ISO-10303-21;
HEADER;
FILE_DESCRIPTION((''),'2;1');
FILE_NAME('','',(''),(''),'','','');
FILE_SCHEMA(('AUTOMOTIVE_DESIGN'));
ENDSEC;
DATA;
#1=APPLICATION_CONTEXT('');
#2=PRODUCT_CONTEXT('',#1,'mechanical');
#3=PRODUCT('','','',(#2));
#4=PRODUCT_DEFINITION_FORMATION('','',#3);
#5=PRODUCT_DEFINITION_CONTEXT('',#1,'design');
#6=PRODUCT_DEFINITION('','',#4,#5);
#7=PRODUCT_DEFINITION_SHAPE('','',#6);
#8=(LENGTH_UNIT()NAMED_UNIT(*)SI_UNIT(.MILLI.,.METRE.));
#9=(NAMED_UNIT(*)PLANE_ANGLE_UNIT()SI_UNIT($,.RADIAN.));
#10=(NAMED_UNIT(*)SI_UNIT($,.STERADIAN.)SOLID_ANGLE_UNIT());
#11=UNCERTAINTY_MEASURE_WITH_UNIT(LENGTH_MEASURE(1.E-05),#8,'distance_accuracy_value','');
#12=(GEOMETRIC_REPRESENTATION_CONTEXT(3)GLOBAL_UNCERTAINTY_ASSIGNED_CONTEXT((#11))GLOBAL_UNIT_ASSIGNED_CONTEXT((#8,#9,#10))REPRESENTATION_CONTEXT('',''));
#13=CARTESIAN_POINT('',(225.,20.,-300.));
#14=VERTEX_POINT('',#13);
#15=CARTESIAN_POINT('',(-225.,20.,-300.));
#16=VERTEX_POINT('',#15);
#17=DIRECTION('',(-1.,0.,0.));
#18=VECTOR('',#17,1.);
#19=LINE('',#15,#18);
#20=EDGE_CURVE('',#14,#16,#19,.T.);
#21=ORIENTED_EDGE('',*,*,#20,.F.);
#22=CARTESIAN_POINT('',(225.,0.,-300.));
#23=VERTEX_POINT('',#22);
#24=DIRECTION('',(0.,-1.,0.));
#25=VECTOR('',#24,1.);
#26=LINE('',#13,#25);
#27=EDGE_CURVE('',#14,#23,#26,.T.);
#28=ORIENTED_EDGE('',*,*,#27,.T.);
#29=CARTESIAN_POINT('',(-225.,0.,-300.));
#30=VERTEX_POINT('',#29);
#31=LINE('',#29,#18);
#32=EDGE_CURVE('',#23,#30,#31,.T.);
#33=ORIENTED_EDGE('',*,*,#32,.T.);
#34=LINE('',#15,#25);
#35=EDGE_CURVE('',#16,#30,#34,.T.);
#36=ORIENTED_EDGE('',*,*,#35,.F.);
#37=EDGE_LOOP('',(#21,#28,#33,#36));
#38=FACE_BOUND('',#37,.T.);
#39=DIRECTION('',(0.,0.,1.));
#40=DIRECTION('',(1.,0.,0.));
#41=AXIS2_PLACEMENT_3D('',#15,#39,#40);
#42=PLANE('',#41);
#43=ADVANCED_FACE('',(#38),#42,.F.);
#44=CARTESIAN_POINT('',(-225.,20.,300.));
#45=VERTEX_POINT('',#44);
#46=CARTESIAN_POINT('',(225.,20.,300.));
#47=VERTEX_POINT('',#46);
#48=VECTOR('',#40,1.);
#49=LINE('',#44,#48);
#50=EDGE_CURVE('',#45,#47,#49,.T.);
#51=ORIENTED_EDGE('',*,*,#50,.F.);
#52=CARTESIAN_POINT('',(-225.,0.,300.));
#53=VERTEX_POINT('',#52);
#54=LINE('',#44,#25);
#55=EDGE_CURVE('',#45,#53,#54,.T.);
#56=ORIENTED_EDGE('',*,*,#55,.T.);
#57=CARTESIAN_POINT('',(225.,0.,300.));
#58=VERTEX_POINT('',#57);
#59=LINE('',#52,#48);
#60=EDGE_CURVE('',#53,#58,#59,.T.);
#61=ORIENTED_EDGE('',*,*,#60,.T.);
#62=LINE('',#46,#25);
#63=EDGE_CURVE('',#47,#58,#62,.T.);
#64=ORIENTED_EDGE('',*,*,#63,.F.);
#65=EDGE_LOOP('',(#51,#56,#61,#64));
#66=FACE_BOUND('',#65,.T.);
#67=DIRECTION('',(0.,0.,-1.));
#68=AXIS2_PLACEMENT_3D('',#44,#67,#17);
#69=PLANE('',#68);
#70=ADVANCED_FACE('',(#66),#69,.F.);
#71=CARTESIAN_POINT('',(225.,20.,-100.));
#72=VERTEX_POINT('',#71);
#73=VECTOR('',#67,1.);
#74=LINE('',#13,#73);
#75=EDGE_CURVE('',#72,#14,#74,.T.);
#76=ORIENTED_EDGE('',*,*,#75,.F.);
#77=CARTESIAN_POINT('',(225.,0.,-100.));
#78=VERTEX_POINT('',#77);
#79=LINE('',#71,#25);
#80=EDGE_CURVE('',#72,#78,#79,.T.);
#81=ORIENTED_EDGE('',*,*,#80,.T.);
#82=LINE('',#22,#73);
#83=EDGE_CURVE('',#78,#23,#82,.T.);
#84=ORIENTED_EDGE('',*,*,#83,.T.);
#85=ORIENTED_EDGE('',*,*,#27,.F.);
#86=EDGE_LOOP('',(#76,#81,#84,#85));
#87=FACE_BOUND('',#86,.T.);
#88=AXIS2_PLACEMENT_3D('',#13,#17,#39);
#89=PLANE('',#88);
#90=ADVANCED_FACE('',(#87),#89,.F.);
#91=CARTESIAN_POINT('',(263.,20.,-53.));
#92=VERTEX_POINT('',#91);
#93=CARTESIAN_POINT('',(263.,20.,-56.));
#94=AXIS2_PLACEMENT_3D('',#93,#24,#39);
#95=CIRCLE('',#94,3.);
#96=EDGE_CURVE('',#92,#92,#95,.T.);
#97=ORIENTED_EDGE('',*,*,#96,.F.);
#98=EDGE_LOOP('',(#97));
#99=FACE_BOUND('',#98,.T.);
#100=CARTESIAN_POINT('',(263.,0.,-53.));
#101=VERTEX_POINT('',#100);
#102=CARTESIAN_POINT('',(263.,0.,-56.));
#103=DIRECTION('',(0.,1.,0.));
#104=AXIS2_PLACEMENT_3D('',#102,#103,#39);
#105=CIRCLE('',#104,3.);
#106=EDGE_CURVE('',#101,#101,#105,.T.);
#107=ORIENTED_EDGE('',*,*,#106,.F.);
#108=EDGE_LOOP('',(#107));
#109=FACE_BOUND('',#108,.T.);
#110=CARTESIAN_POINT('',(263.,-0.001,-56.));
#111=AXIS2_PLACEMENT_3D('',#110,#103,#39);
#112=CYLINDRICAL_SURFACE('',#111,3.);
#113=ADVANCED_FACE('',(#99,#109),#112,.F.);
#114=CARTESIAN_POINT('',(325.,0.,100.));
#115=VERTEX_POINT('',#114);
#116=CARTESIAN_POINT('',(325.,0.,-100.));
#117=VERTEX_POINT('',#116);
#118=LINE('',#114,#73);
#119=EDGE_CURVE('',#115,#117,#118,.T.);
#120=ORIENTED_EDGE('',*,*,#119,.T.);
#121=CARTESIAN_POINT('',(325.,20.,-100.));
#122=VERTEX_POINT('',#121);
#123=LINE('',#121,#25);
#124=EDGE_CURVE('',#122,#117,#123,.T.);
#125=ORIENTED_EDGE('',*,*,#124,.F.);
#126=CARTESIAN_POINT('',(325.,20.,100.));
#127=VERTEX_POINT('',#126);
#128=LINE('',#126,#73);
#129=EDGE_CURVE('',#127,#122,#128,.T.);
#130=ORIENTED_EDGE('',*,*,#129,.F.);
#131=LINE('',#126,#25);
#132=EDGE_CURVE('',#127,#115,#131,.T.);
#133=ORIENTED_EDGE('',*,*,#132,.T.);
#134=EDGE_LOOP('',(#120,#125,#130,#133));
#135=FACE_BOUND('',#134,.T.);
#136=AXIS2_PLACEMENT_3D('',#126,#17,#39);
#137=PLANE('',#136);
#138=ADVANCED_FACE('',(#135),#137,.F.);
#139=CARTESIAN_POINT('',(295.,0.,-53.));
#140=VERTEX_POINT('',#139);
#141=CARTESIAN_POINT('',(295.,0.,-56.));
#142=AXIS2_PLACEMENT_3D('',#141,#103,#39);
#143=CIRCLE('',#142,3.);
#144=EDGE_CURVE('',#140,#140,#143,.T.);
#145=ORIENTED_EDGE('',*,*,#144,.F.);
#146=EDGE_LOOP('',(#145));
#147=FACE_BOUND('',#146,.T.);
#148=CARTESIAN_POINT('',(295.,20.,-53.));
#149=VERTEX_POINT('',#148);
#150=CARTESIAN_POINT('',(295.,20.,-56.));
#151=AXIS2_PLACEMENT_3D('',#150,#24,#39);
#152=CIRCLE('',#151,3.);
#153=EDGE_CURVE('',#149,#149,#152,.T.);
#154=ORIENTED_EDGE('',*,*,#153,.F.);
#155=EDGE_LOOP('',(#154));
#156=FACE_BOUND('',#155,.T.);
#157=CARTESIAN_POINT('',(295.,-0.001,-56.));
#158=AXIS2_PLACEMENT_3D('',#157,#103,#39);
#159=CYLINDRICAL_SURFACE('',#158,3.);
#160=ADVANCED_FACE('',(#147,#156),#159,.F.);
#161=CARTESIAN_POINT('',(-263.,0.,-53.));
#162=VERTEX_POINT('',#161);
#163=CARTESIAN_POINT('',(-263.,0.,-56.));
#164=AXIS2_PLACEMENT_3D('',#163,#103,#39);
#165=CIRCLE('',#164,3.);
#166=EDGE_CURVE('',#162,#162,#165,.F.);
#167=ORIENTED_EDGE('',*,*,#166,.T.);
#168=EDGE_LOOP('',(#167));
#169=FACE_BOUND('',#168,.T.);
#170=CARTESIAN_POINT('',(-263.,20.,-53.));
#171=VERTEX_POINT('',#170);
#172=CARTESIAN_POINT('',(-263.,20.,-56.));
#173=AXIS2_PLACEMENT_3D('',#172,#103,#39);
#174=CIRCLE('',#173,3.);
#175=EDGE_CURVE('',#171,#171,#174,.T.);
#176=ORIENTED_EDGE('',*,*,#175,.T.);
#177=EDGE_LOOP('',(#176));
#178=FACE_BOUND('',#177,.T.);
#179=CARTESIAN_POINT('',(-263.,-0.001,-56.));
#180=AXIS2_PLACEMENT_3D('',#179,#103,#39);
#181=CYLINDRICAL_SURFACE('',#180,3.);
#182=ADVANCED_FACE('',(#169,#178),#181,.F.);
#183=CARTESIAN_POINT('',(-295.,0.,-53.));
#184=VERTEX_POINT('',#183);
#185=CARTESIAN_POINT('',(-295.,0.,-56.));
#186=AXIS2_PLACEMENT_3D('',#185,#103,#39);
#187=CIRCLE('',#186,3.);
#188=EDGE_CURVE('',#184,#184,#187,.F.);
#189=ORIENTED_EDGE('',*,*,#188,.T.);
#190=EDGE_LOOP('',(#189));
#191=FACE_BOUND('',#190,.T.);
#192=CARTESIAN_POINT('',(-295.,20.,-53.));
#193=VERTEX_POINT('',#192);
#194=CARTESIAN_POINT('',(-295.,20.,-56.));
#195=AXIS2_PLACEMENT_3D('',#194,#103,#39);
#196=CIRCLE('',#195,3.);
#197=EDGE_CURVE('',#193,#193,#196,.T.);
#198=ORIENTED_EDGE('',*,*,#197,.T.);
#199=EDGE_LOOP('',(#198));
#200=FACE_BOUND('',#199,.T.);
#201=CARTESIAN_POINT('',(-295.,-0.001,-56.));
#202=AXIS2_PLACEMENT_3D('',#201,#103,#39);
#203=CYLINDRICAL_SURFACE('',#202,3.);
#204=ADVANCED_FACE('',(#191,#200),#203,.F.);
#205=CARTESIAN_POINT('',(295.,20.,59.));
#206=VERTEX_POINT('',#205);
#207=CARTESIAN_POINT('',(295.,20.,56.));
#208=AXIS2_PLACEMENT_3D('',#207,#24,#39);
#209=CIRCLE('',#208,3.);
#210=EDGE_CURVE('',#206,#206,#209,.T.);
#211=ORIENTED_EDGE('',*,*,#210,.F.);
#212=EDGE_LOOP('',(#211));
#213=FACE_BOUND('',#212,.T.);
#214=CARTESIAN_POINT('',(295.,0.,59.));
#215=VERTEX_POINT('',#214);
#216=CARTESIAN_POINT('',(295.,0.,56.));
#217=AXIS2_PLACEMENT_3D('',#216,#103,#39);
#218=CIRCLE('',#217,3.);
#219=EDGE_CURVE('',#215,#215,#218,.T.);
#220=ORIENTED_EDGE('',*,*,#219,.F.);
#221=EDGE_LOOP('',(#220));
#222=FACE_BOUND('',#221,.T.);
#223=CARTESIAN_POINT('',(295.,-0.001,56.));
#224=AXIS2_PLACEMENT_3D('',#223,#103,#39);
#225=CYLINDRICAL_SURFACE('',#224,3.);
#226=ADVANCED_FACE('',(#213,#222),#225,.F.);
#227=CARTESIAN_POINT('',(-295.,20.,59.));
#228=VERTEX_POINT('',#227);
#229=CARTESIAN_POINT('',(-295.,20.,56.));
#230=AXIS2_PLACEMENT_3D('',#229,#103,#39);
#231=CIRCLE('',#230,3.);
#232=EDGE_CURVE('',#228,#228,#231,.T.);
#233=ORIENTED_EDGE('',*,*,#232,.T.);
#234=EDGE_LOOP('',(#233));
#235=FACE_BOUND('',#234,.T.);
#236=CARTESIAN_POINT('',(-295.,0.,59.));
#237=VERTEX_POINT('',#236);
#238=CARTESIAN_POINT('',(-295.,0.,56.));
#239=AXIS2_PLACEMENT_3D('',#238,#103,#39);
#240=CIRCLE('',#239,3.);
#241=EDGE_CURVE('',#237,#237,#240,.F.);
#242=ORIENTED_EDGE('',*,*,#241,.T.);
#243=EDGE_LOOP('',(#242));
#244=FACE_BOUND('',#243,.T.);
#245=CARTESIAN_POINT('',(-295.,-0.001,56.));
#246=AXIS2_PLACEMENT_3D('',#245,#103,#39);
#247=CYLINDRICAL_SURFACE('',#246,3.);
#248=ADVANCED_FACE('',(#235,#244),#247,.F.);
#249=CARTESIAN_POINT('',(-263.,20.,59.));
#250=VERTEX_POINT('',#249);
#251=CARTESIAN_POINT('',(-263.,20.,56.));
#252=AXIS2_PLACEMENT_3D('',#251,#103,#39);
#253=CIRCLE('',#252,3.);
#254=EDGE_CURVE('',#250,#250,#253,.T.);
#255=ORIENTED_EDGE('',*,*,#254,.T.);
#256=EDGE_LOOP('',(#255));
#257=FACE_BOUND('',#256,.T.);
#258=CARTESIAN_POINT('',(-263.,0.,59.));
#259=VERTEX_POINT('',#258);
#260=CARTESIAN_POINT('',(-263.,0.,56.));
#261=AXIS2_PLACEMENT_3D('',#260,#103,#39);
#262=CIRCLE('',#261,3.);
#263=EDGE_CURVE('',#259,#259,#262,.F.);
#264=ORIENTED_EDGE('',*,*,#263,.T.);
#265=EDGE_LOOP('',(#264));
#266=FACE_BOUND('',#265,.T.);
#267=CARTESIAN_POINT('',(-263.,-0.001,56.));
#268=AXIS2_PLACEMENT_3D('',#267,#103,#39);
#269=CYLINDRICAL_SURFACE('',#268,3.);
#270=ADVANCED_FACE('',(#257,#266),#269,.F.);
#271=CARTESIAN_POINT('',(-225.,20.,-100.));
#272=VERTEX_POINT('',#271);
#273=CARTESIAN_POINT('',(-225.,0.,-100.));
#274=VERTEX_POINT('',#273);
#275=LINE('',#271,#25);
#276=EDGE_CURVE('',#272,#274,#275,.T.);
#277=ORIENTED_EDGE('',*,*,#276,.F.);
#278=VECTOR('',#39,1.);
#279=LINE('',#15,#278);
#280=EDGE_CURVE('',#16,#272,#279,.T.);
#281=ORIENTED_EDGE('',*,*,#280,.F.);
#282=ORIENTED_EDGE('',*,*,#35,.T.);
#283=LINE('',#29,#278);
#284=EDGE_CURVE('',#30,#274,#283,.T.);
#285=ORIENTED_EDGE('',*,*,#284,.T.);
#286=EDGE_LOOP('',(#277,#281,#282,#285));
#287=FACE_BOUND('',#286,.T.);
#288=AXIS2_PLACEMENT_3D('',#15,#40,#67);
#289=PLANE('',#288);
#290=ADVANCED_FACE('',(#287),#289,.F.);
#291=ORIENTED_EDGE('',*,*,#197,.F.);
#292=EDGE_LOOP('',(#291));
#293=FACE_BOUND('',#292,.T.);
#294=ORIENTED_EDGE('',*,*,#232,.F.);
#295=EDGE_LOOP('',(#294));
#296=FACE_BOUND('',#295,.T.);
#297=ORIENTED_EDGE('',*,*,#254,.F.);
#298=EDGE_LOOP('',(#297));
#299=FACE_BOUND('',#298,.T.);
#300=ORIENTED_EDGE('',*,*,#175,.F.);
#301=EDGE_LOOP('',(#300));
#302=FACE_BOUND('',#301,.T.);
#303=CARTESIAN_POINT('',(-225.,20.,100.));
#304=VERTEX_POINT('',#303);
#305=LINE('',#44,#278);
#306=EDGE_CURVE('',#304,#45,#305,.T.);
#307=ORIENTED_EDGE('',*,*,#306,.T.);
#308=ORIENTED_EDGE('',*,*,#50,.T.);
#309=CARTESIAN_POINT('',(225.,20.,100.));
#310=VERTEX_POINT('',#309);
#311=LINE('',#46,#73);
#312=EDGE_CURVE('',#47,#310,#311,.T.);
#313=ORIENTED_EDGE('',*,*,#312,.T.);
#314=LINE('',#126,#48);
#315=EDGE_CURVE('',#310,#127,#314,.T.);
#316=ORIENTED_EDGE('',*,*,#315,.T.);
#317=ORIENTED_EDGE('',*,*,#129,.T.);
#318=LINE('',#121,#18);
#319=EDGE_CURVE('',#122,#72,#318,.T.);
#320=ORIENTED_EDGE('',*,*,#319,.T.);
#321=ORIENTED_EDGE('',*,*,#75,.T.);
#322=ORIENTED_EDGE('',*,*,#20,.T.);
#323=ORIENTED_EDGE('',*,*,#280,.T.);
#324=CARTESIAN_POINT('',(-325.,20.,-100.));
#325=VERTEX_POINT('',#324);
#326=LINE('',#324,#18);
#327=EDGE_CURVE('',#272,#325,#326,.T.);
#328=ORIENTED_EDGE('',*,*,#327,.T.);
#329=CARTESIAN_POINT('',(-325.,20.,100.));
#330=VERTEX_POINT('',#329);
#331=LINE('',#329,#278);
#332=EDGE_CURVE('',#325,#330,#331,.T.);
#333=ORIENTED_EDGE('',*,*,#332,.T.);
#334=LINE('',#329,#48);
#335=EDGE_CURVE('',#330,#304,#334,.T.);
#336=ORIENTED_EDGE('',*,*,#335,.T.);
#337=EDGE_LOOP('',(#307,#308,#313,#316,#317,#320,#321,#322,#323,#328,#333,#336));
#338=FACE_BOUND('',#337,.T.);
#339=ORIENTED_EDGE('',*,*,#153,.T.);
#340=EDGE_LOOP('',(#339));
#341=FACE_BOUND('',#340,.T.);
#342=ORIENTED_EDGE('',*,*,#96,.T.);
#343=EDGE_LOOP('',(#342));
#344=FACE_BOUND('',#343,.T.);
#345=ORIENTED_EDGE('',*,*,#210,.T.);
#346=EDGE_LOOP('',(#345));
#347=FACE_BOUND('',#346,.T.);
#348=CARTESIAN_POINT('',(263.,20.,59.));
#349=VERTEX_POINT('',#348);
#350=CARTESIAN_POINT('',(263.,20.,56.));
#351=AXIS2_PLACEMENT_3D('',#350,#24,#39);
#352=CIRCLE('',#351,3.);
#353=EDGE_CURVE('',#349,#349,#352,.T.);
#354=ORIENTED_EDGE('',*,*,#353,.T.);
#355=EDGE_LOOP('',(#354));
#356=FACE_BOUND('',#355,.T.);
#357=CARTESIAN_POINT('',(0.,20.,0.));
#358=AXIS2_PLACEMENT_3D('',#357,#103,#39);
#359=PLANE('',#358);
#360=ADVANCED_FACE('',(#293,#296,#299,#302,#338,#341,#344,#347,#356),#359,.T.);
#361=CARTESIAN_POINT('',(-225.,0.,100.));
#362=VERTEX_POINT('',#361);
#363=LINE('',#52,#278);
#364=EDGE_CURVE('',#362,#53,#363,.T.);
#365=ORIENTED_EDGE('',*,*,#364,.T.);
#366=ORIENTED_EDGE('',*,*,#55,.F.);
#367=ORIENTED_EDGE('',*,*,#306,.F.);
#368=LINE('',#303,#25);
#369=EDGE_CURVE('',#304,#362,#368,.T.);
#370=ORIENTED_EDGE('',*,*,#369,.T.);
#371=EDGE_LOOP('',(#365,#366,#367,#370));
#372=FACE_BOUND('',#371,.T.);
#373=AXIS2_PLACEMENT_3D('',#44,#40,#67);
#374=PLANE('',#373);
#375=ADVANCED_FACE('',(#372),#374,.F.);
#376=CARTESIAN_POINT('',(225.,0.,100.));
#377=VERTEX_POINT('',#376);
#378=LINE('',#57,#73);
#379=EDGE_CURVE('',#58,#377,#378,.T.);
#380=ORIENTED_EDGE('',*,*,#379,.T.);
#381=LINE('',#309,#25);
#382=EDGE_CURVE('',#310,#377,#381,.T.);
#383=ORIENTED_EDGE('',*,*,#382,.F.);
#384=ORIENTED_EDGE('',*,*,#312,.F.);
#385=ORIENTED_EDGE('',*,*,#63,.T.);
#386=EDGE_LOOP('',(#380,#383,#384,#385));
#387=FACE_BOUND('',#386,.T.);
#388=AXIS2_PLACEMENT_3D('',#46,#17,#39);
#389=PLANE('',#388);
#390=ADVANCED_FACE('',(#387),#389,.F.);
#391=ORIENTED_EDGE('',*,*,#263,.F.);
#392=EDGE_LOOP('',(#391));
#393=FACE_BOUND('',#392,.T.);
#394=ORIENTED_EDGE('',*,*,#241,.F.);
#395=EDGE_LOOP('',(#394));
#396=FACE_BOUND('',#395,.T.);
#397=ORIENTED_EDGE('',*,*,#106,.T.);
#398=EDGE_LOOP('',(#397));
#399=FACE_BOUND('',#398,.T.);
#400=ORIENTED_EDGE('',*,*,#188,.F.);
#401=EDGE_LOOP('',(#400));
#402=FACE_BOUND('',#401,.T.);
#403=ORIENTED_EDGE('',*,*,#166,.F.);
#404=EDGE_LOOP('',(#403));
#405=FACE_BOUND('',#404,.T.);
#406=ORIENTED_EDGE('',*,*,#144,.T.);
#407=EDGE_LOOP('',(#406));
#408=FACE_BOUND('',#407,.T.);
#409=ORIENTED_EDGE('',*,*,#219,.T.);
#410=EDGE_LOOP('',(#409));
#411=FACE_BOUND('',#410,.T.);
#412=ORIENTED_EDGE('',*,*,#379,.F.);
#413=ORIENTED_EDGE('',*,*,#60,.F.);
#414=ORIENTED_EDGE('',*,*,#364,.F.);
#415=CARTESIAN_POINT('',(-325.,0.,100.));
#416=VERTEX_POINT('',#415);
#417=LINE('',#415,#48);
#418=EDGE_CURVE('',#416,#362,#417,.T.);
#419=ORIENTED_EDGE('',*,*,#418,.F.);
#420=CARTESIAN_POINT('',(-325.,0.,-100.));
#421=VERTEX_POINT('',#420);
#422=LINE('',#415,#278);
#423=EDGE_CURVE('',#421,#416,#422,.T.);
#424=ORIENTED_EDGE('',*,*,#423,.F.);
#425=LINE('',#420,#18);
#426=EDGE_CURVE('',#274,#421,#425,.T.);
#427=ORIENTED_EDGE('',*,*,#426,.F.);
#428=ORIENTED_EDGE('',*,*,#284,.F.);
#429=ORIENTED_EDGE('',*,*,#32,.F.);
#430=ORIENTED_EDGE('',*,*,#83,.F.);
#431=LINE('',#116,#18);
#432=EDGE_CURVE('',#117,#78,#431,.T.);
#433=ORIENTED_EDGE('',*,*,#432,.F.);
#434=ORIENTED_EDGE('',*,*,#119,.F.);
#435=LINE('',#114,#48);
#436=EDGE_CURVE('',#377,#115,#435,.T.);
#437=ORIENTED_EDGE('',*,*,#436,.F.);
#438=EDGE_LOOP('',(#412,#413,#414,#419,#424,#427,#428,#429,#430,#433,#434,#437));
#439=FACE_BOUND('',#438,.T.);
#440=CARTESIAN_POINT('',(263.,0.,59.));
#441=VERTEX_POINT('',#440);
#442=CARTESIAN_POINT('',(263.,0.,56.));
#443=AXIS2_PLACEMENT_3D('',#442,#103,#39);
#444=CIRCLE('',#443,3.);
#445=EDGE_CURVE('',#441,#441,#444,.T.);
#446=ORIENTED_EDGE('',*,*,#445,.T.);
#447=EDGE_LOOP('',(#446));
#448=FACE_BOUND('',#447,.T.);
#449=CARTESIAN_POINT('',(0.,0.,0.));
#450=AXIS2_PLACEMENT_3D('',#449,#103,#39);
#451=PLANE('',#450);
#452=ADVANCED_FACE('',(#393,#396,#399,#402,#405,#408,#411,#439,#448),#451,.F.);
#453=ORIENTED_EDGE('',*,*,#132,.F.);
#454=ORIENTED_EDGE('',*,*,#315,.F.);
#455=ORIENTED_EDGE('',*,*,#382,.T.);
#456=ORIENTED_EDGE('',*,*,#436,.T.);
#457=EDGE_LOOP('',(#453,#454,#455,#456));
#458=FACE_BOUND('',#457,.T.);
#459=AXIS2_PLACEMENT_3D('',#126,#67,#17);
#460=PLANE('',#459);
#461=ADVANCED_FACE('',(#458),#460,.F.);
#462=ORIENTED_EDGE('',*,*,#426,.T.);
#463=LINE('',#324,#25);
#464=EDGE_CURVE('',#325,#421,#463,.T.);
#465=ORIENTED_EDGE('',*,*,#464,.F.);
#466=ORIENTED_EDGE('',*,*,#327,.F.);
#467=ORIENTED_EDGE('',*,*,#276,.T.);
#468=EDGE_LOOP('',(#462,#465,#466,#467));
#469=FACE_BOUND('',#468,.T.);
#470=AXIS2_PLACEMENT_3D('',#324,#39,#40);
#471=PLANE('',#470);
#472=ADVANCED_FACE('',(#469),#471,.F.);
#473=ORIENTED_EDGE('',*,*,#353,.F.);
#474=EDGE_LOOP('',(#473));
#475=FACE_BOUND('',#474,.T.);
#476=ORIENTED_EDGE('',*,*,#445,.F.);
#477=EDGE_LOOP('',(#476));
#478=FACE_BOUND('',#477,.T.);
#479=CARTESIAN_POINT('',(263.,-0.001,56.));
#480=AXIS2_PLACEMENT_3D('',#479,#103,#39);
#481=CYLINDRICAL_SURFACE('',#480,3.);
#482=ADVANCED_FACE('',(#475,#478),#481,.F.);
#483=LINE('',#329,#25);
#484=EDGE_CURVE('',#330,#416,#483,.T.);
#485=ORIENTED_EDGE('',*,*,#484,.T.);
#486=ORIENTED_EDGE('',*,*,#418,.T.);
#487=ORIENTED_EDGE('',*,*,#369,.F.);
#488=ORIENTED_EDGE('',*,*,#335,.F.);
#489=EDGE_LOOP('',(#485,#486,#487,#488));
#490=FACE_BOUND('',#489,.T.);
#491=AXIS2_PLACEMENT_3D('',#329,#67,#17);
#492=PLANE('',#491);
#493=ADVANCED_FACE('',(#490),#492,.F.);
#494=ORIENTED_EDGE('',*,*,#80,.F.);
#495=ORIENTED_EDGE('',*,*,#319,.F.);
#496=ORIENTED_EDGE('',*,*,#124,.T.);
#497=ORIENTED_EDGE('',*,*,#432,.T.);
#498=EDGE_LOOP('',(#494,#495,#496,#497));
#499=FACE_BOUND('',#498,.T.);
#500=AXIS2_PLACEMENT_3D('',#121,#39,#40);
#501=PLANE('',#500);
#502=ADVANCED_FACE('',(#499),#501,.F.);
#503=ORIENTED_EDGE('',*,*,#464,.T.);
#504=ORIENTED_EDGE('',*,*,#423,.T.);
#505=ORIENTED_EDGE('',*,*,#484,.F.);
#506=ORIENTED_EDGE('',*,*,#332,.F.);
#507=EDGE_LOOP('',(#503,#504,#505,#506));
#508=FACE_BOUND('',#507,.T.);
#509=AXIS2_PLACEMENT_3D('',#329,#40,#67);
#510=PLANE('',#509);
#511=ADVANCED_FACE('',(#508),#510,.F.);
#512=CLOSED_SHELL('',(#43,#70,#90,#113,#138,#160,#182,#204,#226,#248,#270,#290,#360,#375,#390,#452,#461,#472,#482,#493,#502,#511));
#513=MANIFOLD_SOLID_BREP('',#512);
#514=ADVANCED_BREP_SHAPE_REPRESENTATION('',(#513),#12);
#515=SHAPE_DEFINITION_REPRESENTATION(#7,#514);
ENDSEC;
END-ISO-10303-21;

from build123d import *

# Parameters (mm, degrees)
BOSS_EXTRUDE1_DEPTH = 20
CUT_EXTRUDE1_REACH  = 444.747
SKETCH2_R           = 3


with BuildPart() as part:
    # Sketch1 → Boss-Extrude1 (new body)
    with BuildSketch(Plane(origin=(0, 0, 0), x_dir=(1, 0, 0), z_dir=(0, 1, 0))):
        Polygon((-225, -300), (225, -300), (225, -100), (325, -100), (325, 100), (225, 100), (225, 300), (-225, 300), (-225, 100), (-325, 100), (-325, -100), (-225, -100), align=None)
    extrude(amount=BOSS_EXTRUDE1_DEPTH)

    # Sketch2 → Cut-Extrude1 (cut, up to next)
    with BuildSketch(Plane(origin=(0, 20, 0), x_dir=(1, 0, 0), z_dir=(0, 1, 0)), mode=Mode.PRIVATE) as cut_extrude1_sk1:
        with Locations(Location((-295, -56, 0), (0, 0, 270))):
            Circle(SKETCH2_R)
    cut_extrude1_tool1 = extrude(cut_extrude1_sk1.sketch, amount=-CUT_EXTRUDE1_REACH, mode=Mode.PRIVATE) & part.part
    # Sketch2 → Cut-Extrude1 (cut, up to next)
    with BuildSketch(Plane(origin=(0, 20, 0), x_dir=(1, 0, 0), z_dir=(0, 1, 0)), mode=Mode.PRIVATE) as cut_extrude1_sk2:
        with Locations(Location((-263, -56, 0), (0, 0, 270))):
            Circle(SKETCH2_R)
    cut_extrude1_tool2 = extrude(cut_extrude1_sk2.sketch, amount=-CUT_EXTRUDE1_REACH, mode=Mode.PRIVATE) & part.part
    # Sketch2 → Cut-Extrude1 (cut, up to next)
    with BuildSketch(Plane(origin=(0, 20, 0), x_dir=(1, 0, 0), z_dir=(0, 1, 0)), mode=Mode.PRIVATE) as cut_extrude1_sk3:
        with Locations(Location((-263, 56, 0), (0, 0, 270))):
            Circle(SKETCH2_R)
    cut_extrude1_tool3 = extrude(cut_extrude1_sk3.sketch, amount=-CUT_EXTRUDE1_REACH, mode=Mode.PRIVATE) & part.part
    # Sketch2 → Cut-Extrude1 (cut, up to next)
    with BuildSketch(Plane(origin=(0, 20, 0), x_dir=(1, 0, 0), z_dir=(0, 1, 0)), mode=Mode.PRIVATE) as cut_extrude1_sk4:
        with Locations(Location((-295, 56, 0), (0, 0, 270))):
            Circle(SKETCH2_R)
    cut_extrude1_tool4 = extrude(cut_extrude1_sk4.sketch, amount=-CUT_EXTRUDE1_REACH, mode=Mode.PRIVATE) & part.part
    cut_extrude1_1 = cut_extrude1_tool1.solids().sort_by_distance((-295, 20, 56))[0]
    add(cut_extrude1_1, mode=Mode.SUBTRACT)
    cut_extrude1_2 = cut_extrude1_tool2.solids().sort_by_distance((-263, 20, 56))[0]
    add(cut_extrude1_2, mode=Mode.SUBTRACT)
    cut_extrude1_3 = cut_extrude1_tool3.solids().sort_by_distance((-263, 20, -56))[0]
    add(cut_extrude1_3, mode=Mode.SUBTRACT)
    cut_extrude1_4 = cut_extrude1_tool4.solids().sort_by_distance((-295, 20, -56))[0]
    add(cut_extrude1_4, mode=Mode.SUBTRACT)
    cut_extrude1 = cut_extrude1_1 + cut_extrude1_2 + cut_extrude1_3 + cut_extrude1_4  # Cut-Extrude1 as one shape, for the pattern or mirror that repeats it

    # Mirror1: Cut-Extrude1 across plane
    add(cut_extrude1.mirror(Plane(origin=(0, 0, 0), x_dir=(0, 0, 1), z_dir=(1, 0, 0))), mode=Mode.SUBTRACT)


solid = part.part
